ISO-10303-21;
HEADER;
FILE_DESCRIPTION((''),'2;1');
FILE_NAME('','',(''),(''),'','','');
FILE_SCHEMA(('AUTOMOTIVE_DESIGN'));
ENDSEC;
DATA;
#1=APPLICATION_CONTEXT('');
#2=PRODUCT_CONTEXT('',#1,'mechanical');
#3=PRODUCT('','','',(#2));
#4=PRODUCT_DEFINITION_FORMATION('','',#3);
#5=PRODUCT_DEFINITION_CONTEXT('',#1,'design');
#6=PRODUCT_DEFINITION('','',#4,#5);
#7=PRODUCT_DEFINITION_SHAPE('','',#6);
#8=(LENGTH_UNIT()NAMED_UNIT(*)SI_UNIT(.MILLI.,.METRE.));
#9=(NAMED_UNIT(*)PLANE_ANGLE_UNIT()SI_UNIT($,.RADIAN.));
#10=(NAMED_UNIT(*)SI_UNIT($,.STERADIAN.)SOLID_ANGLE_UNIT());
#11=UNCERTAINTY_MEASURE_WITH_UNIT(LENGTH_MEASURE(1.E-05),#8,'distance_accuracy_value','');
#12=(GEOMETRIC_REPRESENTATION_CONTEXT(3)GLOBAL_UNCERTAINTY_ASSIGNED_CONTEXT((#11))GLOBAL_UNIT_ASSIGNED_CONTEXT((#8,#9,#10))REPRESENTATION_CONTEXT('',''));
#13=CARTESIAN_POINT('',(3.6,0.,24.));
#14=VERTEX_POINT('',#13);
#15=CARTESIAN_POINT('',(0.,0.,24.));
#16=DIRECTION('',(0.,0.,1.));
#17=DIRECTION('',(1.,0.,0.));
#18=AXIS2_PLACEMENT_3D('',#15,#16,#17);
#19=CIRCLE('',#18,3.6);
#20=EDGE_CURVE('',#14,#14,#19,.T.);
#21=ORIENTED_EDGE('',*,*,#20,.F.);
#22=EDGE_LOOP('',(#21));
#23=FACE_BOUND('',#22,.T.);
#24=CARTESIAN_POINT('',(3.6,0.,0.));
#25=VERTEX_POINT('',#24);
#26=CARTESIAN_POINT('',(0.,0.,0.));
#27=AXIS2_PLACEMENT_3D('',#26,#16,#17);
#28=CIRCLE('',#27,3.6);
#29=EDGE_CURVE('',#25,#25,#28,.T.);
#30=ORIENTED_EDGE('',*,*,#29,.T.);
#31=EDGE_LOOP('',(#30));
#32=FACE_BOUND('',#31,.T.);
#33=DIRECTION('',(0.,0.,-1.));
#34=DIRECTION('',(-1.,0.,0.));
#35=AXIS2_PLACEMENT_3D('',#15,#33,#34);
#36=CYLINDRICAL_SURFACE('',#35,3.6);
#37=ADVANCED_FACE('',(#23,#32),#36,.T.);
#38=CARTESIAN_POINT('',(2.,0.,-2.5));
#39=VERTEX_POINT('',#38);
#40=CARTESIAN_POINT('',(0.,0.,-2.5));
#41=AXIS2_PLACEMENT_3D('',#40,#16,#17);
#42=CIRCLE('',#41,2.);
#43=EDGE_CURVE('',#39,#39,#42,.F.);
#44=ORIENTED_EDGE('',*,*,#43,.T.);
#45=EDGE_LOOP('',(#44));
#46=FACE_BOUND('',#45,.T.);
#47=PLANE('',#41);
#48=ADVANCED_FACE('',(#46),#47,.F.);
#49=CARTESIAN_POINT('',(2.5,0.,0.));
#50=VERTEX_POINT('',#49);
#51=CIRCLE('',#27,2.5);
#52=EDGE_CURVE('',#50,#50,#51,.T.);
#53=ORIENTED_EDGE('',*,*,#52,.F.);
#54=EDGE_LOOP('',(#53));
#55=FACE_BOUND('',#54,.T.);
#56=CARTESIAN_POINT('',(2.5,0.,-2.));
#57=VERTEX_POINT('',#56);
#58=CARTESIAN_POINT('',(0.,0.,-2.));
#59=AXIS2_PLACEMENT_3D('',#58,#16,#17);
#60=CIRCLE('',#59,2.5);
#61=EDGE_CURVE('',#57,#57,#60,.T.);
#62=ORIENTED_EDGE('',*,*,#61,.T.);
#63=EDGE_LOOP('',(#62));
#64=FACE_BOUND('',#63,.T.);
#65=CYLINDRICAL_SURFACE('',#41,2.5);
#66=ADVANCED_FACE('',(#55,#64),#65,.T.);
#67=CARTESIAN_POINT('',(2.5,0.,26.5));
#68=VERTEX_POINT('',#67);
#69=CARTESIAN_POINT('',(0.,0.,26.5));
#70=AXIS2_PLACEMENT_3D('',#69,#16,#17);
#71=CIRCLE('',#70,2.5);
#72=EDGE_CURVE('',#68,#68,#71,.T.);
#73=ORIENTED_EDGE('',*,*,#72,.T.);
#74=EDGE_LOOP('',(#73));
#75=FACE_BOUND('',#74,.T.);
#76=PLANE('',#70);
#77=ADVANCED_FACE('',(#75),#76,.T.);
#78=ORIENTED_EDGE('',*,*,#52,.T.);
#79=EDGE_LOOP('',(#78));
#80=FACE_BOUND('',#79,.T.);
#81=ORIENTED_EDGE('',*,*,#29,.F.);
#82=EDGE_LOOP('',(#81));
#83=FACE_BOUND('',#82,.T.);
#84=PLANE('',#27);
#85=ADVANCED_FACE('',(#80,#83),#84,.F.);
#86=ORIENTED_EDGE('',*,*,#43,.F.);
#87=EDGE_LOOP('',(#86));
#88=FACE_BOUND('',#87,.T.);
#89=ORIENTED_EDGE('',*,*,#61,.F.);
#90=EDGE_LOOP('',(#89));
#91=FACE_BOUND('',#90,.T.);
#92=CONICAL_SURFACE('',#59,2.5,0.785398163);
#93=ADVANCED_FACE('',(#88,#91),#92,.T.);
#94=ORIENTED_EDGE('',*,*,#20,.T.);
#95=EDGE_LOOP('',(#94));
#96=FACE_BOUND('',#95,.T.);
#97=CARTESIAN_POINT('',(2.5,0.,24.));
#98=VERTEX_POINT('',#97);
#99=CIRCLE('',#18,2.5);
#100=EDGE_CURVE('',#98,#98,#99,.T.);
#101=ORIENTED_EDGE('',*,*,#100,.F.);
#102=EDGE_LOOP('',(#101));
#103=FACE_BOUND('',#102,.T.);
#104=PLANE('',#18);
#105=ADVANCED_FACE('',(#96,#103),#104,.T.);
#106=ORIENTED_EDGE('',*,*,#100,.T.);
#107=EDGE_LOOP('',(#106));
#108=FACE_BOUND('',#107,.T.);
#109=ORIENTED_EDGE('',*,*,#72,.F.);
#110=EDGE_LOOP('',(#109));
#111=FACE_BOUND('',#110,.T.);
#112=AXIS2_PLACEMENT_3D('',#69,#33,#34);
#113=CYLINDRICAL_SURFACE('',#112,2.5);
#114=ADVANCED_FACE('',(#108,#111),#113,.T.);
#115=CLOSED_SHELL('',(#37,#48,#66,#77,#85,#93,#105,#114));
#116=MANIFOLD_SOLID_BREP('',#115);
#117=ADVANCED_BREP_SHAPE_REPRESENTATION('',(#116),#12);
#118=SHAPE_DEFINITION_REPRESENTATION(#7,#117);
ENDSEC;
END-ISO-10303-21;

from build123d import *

# Parameters (mm, degrees)
SKETCH3_R           = 3.6
BOSS_EXTRUDE1_DEPTH = 24
SKETCH4_R           = 2.5
BOSS_EXTRUDE2_DEPTH = 2.5
BOSS_EXTRUDE3_START = 2.5
SKETCH5_R           = 2.5
BOSS_EXTRUDE3_DEPTH = 2.5
CHAMFER1_SIZE       = 0.5


with BuildPart() as part:
    # Sketch3 → Boss-Extrude1 (new body)
    with BuildSketch(Plane.XY):
        Circle(SKETCH3_R)
    extrude(amount=BOSS_EXTRUDE1_DEPTH)

    # Sketch4 → Boss-Extrude2 (add)
    with BuildSketch(Plane.XY):
        Circle(SKETCH4_R)
    extrude(amount=-BOSS_EXTRUDE2_DEPTH)

    # Sketch5 → Boss-Extrude3 (add)
    with BuildSketch(Plane.XY.offset(24).offset(BOSS_EXTRUDE3_START)):
        Circle(SKETCH5_R)
    extrude(amount=-BOSS_EXTRUDE3_DEPTH)

    # Chamfer1
    chamfer1_edges = [part.edges().sort_by_distance(p)[0] for p in [
        (-2.5, 0, -2.5),
    ]]
    chamfer(chamfer1_edges, length=CHAMFER1_SIZE)


solid = part.part
